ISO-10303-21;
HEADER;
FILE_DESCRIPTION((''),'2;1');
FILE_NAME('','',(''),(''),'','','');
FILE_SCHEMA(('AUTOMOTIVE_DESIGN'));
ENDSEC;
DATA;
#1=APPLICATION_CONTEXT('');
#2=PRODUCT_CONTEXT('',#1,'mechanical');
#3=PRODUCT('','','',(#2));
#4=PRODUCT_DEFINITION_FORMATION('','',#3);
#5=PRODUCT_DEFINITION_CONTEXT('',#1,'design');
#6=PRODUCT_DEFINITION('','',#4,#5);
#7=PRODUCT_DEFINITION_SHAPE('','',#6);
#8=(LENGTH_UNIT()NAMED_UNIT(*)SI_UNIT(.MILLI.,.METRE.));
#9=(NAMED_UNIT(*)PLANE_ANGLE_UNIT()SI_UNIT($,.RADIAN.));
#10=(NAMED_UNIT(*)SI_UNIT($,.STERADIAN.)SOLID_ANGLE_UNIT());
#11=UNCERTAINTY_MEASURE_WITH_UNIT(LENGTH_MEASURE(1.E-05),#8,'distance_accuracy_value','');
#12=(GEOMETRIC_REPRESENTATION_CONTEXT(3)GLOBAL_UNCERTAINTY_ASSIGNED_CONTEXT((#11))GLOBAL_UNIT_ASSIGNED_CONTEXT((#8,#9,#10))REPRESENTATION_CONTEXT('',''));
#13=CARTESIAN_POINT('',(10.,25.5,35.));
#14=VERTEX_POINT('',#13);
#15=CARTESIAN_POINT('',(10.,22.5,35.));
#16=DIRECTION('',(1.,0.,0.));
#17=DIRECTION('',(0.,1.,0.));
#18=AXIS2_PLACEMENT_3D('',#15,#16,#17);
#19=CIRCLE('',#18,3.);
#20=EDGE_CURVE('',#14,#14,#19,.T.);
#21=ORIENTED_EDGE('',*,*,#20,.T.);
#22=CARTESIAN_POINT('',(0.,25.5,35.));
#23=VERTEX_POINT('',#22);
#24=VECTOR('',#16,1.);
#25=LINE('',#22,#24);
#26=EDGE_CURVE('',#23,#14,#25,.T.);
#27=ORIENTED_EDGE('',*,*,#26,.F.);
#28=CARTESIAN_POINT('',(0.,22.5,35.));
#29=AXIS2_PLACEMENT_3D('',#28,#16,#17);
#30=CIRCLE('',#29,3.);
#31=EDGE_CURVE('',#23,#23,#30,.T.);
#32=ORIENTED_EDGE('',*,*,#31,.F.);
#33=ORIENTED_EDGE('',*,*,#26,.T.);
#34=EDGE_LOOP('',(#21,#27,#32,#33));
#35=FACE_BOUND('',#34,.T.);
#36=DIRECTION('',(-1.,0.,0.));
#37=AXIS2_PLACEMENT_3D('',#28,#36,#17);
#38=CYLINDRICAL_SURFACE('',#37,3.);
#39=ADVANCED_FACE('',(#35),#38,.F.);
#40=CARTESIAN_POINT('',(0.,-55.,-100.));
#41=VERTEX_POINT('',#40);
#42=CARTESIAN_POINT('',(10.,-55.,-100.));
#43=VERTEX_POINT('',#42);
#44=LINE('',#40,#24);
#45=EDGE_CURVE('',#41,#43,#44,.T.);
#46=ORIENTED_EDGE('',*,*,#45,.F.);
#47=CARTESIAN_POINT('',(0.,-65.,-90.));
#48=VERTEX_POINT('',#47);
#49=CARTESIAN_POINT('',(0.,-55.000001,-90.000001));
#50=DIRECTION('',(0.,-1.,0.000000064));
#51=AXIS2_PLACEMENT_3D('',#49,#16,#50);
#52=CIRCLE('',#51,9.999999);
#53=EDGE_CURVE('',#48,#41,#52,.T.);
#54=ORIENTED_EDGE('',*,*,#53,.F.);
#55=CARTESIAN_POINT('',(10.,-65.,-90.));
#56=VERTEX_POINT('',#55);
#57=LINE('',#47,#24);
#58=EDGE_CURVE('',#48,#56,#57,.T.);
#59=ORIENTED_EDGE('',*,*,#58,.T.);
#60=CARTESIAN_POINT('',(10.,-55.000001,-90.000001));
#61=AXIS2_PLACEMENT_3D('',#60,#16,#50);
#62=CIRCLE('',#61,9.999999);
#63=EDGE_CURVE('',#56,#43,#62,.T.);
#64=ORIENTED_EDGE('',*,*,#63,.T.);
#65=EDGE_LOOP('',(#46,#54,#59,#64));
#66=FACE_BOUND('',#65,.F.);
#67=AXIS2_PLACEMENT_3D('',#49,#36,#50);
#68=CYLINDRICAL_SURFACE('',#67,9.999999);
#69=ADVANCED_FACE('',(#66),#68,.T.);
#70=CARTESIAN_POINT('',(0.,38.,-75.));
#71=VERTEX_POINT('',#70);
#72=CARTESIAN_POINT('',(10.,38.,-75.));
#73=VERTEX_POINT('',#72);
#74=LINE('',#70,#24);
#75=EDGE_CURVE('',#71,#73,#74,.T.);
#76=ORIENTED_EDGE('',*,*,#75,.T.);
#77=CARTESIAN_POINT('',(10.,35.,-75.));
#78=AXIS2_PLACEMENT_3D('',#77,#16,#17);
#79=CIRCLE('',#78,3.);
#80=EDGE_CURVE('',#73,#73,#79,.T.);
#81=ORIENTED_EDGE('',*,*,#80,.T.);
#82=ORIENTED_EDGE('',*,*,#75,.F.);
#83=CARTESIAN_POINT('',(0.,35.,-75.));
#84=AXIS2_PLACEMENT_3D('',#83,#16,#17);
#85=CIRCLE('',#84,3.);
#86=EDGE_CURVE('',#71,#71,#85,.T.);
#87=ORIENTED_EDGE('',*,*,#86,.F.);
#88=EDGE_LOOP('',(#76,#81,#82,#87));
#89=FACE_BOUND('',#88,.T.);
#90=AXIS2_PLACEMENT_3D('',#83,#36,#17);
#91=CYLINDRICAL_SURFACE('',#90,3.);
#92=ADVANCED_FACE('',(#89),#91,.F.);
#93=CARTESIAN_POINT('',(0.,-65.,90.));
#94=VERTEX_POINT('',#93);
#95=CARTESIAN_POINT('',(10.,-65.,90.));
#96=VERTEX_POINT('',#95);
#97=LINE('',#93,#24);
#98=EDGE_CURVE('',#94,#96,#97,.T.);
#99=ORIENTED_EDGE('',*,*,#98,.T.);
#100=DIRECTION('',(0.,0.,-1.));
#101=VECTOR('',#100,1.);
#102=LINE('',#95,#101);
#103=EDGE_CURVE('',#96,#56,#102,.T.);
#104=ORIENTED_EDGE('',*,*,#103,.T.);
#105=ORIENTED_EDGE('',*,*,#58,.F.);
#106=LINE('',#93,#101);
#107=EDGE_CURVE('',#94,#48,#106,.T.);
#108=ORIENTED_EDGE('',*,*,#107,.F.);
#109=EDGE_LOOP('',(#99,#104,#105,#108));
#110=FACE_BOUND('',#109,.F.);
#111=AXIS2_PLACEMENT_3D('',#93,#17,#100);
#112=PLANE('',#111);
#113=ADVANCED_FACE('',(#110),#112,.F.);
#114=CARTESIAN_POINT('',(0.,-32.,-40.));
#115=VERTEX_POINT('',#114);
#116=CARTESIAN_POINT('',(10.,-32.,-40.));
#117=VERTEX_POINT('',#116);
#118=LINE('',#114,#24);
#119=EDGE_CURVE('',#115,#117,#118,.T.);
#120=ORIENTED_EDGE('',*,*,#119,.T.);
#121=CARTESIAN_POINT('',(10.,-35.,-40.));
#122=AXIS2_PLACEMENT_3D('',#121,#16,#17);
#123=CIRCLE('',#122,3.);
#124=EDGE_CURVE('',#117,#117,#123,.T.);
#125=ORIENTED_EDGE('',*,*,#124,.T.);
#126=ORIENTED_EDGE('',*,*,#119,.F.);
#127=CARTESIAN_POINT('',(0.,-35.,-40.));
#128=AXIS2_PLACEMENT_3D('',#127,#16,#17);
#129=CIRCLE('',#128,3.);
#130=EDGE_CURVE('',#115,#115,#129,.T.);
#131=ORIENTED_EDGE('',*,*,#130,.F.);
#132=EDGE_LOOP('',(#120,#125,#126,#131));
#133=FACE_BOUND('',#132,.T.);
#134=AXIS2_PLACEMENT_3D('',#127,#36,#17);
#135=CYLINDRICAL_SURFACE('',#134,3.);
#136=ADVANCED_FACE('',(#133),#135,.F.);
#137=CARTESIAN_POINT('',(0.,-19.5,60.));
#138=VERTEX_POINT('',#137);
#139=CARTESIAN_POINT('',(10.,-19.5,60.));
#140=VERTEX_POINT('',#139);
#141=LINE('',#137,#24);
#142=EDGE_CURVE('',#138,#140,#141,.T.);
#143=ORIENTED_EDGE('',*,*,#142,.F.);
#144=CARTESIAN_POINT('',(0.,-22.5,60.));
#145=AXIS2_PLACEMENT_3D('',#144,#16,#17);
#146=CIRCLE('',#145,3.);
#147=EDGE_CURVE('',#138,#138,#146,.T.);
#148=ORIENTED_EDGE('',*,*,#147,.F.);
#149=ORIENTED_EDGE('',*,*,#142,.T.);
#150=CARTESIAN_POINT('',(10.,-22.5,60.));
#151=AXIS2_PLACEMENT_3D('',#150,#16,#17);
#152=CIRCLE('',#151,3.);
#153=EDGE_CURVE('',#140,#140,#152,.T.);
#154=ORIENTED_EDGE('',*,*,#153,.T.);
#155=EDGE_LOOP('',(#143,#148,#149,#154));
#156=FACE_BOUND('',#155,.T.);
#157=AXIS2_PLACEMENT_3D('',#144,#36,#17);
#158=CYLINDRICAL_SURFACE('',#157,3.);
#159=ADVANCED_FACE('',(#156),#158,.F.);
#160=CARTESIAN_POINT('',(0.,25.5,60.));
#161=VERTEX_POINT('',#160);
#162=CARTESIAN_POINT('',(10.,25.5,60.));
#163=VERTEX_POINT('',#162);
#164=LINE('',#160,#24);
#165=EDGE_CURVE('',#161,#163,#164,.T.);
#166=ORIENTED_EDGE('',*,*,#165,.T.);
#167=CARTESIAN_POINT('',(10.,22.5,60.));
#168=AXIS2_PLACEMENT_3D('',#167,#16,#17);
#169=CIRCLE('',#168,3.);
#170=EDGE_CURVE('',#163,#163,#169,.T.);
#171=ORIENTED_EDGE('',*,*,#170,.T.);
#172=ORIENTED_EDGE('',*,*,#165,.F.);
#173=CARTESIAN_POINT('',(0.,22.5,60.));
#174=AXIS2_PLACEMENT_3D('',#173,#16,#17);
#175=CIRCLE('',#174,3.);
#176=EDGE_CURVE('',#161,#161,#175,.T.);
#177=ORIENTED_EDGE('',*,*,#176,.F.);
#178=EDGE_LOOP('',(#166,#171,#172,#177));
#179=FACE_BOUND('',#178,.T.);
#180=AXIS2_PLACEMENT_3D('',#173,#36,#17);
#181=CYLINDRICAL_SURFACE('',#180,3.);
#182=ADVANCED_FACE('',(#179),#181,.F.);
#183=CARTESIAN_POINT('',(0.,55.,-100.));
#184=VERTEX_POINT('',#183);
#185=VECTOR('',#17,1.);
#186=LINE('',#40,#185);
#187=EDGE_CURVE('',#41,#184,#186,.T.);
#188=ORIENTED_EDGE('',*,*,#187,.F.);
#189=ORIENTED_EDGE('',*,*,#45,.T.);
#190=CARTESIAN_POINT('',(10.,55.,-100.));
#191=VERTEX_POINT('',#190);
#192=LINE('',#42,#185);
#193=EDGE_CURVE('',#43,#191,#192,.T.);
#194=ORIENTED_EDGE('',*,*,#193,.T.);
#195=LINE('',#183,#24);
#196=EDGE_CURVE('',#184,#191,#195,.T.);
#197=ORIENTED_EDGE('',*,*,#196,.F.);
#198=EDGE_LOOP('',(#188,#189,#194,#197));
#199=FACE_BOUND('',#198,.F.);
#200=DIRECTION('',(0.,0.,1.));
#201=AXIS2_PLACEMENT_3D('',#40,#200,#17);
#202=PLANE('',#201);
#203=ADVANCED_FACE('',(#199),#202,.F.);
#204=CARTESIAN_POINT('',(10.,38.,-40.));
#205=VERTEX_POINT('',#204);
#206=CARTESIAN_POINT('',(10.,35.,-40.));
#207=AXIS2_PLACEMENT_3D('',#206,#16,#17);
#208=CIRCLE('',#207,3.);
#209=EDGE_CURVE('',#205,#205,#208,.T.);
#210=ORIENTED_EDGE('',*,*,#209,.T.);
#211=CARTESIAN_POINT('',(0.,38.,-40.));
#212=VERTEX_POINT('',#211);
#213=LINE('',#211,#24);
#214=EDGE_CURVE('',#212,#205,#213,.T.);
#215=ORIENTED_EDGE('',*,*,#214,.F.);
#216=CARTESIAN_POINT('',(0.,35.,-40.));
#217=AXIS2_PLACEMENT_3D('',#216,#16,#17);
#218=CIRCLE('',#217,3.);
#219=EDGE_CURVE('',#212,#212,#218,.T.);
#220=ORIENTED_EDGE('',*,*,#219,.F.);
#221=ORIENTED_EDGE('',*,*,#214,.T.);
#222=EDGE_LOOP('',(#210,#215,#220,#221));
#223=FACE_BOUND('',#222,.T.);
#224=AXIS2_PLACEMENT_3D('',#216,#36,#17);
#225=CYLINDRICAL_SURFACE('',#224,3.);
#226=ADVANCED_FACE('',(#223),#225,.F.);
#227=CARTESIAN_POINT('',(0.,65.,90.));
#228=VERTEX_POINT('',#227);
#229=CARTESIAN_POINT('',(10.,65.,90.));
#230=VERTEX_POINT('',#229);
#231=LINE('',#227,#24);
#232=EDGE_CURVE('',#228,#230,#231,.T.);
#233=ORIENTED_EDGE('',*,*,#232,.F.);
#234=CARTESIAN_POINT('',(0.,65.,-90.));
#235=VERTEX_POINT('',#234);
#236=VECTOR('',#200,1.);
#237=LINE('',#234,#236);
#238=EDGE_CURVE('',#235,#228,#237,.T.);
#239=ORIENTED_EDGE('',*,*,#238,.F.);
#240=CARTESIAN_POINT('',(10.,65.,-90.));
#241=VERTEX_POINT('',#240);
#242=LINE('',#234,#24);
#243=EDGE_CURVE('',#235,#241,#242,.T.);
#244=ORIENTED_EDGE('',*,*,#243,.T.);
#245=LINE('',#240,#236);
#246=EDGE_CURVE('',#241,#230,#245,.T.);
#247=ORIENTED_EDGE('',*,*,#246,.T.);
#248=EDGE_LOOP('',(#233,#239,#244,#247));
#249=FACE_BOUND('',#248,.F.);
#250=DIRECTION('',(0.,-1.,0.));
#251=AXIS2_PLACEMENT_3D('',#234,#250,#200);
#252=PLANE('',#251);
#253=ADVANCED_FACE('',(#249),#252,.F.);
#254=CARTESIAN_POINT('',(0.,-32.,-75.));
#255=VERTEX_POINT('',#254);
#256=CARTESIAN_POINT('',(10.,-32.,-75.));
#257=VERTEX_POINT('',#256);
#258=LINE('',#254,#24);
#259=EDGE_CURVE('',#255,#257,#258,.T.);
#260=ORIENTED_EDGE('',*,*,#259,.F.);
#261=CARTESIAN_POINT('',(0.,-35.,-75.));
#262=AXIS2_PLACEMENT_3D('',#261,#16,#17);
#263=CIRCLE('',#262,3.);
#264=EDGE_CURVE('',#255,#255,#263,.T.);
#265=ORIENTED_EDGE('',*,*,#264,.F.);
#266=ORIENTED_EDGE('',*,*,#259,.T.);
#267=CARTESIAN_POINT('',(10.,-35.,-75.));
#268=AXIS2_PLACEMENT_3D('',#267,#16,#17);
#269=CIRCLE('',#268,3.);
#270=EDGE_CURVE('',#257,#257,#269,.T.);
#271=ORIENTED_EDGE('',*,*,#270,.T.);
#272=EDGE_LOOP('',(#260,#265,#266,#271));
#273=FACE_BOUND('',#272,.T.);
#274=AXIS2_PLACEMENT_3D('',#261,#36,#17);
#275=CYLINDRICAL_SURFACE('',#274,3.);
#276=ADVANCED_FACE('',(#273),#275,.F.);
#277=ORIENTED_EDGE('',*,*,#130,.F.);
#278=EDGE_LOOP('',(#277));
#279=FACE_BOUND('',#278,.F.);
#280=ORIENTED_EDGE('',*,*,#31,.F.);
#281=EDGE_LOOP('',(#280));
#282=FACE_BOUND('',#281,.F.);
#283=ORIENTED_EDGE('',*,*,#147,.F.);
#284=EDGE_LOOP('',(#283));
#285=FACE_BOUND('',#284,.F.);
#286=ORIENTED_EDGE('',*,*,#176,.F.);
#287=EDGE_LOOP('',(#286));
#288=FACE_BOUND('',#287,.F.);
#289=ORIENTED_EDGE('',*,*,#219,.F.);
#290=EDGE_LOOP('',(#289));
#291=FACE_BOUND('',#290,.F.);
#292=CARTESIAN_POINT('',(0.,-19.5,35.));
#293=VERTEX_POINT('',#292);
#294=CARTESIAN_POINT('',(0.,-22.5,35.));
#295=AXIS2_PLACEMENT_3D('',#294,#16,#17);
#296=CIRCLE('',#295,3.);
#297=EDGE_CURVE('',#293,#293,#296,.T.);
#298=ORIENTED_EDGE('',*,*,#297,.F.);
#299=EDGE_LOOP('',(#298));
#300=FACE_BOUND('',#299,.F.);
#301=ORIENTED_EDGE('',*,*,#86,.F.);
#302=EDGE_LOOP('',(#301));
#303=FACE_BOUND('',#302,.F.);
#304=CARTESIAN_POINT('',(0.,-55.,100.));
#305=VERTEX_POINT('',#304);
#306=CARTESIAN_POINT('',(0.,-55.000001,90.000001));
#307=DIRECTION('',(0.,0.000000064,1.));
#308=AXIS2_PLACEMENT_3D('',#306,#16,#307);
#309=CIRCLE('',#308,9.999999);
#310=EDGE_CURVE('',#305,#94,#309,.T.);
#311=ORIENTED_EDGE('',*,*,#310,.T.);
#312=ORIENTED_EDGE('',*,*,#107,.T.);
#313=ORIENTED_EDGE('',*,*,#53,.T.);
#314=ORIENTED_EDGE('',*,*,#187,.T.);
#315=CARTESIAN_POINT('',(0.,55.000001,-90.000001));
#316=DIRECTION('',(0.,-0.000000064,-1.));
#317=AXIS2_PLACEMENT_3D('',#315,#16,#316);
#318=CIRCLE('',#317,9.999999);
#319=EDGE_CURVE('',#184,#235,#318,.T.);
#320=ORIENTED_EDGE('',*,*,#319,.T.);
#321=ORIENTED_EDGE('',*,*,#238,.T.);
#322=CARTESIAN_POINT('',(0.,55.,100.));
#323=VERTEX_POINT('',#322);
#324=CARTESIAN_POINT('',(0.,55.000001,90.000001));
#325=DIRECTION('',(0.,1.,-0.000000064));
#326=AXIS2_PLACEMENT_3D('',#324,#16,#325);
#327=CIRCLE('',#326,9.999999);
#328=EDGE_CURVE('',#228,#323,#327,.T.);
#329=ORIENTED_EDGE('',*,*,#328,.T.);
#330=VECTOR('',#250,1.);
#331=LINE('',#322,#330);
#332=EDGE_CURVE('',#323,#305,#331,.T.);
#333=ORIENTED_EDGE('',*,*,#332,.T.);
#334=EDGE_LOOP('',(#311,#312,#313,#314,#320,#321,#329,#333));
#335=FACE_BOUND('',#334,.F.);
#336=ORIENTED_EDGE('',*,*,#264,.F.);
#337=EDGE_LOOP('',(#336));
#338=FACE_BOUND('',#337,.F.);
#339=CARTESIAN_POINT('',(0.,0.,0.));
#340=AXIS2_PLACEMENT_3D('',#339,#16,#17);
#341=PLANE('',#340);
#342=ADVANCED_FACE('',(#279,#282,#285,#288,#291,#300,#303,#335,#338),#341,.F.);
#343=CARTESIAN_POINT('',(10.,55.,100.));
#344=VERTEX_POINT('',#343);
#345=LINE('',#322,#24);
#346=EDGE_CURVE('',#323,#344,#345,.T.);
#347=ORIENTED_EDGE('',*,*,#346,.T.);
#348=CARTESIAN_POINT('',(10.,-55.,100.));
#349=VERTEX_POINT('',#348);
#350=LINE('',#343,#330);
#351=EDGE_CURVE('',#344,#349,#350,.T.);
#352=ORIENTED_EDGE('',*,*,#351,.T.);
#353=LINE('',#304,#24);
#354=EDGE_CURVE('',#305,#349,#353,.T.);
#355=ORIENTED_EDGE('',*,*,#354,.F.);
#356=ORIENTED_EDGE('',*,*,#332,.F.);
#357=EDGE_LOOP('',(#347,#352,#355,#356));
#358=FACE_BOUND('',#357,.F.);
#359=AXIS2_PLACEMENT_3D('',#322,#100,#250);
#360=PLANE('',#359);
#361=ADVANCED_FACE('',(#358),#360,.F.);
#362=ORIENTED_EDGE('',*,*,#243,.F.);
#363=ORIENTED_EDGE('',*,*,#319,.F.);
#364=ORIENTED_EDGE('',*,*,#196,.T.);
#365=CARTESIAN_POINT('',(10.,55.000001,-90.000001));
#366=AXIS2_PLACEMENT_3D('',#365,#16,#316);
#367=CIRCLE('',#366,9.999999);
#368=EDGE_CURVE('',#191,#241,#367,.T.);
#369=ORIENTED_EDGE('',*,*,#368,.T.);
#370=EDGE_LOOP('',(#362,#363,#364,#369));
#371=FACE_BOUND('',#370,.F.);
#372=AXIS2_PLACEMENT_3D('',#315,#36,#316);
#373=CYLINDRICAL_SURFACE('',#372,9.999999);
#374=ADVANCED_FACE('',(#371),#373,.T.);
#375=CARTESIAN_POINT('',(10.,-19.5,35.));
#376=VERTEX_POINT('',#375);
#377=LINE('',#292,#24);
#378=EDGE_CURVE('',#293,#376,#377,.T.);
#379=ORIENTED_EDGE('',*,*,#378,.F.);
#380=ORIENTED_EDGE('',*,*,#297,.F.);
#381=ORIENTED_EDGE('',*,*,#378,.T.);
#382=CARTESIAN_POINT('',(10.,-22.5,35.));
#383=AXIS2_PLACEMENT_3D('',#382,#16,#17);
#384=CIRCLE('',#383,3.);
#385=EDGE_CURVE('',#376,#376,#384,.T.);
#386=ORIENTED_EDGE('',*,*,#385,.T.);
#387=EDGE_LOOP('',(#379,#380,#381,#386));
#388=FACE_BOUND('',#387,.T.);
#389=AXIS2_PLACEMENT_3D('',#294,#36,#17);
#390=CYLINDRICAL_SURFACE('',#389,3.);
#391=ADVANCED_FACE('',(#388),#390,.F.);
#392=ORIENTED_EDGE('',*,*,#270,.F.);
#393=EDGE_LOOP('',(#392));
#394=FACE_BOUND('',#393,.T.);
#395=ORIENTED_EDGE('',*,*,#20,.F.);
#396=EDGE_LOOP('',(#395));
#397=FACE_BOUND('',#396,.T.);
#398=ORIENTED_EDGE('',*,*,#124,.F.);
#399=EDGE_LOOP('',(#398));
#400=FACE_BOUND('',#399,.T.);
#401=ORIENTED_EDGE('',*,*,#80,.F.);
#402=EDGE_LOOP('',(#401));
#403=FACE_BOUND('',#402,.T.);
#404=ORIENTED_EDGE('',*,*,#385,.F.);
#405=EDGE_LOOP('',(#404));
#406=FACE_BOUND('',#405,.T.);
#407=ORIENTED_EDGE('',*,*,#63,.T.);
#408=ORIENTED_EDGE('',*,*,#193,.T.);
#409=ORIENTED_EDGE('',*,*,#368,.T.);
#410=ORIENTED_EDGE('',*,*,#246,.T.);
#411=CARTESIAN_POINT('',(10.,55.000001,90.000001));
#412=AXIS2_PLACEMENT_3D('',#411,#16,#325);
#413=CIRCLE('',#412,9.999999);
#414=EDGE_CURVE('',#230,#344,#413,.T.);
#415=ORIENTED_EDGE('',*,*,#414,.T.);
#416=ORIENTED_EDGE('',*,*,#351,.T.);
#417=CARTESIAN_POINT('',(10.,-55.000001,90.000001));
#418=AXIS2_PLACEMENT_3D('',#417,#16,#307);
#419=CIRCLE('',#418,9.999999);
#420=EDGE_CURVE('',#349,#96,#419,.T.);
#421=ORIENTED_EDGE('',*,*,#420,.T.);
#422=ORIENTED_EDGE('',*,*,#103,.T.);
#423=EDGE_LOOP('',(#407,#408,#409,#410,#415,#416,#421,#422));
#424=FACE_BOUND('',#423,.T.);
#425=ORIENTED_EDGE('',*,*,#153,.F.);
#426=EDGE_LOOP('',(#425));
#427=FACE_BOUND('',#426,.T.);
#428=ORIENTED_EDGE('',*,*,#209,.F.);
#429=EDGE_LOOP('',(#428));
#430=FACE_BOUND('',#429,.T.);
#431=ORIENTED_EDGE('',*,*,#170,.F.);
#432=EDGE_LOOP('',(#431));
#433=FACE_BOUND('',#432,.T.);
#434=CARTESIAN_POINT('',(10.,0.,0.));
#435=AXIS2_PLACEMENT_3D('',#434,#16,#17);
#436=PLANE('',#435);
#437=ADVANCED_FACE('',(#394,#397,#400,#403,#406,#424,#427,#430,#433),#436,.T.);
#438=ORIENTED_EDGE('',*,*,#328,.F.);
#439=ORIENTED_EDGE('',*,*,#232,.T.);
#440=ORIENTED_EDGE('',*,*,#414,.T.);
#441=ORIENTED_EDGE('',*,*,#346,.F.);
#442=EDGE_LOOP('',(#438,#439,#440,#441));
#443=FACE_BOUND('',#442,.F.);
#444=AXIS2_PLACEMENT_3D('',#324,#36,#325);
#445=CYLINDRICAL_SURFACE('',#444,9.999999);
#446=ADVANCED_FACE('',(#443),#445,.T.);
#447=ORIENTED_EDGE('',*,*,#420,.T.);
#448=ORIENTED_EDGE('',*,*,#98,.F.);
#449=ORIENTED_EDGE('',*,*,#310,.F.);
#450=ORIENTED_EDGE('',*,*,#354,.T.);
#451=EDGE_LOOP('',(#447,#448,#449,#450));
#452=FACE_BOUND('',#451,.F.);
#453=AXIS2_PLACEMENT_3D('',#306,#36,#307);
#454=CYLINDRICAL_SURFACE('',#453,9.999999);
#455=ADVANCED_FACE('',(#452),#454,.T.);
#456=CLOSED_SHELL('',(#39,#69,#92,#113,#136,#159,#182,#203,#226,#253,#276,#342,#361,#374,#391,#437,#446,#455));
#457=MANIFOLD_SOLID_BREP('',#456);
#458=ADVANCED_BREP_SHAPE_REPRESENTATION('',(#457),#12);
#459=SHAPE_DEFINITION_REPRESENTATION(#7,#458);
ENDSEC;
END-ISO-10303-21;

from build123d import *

# Parameters (mm, degrees)
F0_R     = 3
F1_DEPTH = 10


with BuildPart() as f1:
    # F0 (on Right) → F1 (new body)
    with BuildSketch(Plane.YZ):
        with BuildLine():
            Line((55, 100), (-55, 100))
            ThreePointArc((-55, 100), (-62.071068, 97.071068), (-65, 90))
            Line((-65, 90), (-65, -90))
            ThreePointArc((-65, -90), (-62.071068, -97.071068), (-55, -100))
            Line((-55, -100), (55, -100))
            ThreePointArc((55, -100), (62.071068, -97.071068), (65, -90))
            Line((65, -90), (65, 90))
            ThreePointArc((65, 90), (62.071068, 97.071068), (55, 100))
        make_face()
        with Locations((-35, -75)):
            Circle(F0_R, mode=Mode.SUBTRACT)
        with Locations((-35, -40)):
            Circle(F0_R, mode=Mode.SUBTRACT)
        with Locations((35, -75)):
            Circle(F0_R, mode=Mode.SUBTRACT)
        with Locations((35, -40)):
            Circle(F0_R, mode=Mode.SUBTRACT)
        with Locations((-22.5, 35)):
            Circle(F0_R, mode=Mode.SUBTRACT)
        with Locations((-22.5, 60)):
            Circle(F0_R, mode=Mode.SUBTRACT)
        with Locations((22.5, 35)):
            Circle(F0_R, mode=Mode.SUBTRACT)
        with Locations((22.5, 60)):
            Circle(F0_R, mode=Mode.SUBTRACT)
    extrude(amount=F1_DEPTH)


solid = f1.part
